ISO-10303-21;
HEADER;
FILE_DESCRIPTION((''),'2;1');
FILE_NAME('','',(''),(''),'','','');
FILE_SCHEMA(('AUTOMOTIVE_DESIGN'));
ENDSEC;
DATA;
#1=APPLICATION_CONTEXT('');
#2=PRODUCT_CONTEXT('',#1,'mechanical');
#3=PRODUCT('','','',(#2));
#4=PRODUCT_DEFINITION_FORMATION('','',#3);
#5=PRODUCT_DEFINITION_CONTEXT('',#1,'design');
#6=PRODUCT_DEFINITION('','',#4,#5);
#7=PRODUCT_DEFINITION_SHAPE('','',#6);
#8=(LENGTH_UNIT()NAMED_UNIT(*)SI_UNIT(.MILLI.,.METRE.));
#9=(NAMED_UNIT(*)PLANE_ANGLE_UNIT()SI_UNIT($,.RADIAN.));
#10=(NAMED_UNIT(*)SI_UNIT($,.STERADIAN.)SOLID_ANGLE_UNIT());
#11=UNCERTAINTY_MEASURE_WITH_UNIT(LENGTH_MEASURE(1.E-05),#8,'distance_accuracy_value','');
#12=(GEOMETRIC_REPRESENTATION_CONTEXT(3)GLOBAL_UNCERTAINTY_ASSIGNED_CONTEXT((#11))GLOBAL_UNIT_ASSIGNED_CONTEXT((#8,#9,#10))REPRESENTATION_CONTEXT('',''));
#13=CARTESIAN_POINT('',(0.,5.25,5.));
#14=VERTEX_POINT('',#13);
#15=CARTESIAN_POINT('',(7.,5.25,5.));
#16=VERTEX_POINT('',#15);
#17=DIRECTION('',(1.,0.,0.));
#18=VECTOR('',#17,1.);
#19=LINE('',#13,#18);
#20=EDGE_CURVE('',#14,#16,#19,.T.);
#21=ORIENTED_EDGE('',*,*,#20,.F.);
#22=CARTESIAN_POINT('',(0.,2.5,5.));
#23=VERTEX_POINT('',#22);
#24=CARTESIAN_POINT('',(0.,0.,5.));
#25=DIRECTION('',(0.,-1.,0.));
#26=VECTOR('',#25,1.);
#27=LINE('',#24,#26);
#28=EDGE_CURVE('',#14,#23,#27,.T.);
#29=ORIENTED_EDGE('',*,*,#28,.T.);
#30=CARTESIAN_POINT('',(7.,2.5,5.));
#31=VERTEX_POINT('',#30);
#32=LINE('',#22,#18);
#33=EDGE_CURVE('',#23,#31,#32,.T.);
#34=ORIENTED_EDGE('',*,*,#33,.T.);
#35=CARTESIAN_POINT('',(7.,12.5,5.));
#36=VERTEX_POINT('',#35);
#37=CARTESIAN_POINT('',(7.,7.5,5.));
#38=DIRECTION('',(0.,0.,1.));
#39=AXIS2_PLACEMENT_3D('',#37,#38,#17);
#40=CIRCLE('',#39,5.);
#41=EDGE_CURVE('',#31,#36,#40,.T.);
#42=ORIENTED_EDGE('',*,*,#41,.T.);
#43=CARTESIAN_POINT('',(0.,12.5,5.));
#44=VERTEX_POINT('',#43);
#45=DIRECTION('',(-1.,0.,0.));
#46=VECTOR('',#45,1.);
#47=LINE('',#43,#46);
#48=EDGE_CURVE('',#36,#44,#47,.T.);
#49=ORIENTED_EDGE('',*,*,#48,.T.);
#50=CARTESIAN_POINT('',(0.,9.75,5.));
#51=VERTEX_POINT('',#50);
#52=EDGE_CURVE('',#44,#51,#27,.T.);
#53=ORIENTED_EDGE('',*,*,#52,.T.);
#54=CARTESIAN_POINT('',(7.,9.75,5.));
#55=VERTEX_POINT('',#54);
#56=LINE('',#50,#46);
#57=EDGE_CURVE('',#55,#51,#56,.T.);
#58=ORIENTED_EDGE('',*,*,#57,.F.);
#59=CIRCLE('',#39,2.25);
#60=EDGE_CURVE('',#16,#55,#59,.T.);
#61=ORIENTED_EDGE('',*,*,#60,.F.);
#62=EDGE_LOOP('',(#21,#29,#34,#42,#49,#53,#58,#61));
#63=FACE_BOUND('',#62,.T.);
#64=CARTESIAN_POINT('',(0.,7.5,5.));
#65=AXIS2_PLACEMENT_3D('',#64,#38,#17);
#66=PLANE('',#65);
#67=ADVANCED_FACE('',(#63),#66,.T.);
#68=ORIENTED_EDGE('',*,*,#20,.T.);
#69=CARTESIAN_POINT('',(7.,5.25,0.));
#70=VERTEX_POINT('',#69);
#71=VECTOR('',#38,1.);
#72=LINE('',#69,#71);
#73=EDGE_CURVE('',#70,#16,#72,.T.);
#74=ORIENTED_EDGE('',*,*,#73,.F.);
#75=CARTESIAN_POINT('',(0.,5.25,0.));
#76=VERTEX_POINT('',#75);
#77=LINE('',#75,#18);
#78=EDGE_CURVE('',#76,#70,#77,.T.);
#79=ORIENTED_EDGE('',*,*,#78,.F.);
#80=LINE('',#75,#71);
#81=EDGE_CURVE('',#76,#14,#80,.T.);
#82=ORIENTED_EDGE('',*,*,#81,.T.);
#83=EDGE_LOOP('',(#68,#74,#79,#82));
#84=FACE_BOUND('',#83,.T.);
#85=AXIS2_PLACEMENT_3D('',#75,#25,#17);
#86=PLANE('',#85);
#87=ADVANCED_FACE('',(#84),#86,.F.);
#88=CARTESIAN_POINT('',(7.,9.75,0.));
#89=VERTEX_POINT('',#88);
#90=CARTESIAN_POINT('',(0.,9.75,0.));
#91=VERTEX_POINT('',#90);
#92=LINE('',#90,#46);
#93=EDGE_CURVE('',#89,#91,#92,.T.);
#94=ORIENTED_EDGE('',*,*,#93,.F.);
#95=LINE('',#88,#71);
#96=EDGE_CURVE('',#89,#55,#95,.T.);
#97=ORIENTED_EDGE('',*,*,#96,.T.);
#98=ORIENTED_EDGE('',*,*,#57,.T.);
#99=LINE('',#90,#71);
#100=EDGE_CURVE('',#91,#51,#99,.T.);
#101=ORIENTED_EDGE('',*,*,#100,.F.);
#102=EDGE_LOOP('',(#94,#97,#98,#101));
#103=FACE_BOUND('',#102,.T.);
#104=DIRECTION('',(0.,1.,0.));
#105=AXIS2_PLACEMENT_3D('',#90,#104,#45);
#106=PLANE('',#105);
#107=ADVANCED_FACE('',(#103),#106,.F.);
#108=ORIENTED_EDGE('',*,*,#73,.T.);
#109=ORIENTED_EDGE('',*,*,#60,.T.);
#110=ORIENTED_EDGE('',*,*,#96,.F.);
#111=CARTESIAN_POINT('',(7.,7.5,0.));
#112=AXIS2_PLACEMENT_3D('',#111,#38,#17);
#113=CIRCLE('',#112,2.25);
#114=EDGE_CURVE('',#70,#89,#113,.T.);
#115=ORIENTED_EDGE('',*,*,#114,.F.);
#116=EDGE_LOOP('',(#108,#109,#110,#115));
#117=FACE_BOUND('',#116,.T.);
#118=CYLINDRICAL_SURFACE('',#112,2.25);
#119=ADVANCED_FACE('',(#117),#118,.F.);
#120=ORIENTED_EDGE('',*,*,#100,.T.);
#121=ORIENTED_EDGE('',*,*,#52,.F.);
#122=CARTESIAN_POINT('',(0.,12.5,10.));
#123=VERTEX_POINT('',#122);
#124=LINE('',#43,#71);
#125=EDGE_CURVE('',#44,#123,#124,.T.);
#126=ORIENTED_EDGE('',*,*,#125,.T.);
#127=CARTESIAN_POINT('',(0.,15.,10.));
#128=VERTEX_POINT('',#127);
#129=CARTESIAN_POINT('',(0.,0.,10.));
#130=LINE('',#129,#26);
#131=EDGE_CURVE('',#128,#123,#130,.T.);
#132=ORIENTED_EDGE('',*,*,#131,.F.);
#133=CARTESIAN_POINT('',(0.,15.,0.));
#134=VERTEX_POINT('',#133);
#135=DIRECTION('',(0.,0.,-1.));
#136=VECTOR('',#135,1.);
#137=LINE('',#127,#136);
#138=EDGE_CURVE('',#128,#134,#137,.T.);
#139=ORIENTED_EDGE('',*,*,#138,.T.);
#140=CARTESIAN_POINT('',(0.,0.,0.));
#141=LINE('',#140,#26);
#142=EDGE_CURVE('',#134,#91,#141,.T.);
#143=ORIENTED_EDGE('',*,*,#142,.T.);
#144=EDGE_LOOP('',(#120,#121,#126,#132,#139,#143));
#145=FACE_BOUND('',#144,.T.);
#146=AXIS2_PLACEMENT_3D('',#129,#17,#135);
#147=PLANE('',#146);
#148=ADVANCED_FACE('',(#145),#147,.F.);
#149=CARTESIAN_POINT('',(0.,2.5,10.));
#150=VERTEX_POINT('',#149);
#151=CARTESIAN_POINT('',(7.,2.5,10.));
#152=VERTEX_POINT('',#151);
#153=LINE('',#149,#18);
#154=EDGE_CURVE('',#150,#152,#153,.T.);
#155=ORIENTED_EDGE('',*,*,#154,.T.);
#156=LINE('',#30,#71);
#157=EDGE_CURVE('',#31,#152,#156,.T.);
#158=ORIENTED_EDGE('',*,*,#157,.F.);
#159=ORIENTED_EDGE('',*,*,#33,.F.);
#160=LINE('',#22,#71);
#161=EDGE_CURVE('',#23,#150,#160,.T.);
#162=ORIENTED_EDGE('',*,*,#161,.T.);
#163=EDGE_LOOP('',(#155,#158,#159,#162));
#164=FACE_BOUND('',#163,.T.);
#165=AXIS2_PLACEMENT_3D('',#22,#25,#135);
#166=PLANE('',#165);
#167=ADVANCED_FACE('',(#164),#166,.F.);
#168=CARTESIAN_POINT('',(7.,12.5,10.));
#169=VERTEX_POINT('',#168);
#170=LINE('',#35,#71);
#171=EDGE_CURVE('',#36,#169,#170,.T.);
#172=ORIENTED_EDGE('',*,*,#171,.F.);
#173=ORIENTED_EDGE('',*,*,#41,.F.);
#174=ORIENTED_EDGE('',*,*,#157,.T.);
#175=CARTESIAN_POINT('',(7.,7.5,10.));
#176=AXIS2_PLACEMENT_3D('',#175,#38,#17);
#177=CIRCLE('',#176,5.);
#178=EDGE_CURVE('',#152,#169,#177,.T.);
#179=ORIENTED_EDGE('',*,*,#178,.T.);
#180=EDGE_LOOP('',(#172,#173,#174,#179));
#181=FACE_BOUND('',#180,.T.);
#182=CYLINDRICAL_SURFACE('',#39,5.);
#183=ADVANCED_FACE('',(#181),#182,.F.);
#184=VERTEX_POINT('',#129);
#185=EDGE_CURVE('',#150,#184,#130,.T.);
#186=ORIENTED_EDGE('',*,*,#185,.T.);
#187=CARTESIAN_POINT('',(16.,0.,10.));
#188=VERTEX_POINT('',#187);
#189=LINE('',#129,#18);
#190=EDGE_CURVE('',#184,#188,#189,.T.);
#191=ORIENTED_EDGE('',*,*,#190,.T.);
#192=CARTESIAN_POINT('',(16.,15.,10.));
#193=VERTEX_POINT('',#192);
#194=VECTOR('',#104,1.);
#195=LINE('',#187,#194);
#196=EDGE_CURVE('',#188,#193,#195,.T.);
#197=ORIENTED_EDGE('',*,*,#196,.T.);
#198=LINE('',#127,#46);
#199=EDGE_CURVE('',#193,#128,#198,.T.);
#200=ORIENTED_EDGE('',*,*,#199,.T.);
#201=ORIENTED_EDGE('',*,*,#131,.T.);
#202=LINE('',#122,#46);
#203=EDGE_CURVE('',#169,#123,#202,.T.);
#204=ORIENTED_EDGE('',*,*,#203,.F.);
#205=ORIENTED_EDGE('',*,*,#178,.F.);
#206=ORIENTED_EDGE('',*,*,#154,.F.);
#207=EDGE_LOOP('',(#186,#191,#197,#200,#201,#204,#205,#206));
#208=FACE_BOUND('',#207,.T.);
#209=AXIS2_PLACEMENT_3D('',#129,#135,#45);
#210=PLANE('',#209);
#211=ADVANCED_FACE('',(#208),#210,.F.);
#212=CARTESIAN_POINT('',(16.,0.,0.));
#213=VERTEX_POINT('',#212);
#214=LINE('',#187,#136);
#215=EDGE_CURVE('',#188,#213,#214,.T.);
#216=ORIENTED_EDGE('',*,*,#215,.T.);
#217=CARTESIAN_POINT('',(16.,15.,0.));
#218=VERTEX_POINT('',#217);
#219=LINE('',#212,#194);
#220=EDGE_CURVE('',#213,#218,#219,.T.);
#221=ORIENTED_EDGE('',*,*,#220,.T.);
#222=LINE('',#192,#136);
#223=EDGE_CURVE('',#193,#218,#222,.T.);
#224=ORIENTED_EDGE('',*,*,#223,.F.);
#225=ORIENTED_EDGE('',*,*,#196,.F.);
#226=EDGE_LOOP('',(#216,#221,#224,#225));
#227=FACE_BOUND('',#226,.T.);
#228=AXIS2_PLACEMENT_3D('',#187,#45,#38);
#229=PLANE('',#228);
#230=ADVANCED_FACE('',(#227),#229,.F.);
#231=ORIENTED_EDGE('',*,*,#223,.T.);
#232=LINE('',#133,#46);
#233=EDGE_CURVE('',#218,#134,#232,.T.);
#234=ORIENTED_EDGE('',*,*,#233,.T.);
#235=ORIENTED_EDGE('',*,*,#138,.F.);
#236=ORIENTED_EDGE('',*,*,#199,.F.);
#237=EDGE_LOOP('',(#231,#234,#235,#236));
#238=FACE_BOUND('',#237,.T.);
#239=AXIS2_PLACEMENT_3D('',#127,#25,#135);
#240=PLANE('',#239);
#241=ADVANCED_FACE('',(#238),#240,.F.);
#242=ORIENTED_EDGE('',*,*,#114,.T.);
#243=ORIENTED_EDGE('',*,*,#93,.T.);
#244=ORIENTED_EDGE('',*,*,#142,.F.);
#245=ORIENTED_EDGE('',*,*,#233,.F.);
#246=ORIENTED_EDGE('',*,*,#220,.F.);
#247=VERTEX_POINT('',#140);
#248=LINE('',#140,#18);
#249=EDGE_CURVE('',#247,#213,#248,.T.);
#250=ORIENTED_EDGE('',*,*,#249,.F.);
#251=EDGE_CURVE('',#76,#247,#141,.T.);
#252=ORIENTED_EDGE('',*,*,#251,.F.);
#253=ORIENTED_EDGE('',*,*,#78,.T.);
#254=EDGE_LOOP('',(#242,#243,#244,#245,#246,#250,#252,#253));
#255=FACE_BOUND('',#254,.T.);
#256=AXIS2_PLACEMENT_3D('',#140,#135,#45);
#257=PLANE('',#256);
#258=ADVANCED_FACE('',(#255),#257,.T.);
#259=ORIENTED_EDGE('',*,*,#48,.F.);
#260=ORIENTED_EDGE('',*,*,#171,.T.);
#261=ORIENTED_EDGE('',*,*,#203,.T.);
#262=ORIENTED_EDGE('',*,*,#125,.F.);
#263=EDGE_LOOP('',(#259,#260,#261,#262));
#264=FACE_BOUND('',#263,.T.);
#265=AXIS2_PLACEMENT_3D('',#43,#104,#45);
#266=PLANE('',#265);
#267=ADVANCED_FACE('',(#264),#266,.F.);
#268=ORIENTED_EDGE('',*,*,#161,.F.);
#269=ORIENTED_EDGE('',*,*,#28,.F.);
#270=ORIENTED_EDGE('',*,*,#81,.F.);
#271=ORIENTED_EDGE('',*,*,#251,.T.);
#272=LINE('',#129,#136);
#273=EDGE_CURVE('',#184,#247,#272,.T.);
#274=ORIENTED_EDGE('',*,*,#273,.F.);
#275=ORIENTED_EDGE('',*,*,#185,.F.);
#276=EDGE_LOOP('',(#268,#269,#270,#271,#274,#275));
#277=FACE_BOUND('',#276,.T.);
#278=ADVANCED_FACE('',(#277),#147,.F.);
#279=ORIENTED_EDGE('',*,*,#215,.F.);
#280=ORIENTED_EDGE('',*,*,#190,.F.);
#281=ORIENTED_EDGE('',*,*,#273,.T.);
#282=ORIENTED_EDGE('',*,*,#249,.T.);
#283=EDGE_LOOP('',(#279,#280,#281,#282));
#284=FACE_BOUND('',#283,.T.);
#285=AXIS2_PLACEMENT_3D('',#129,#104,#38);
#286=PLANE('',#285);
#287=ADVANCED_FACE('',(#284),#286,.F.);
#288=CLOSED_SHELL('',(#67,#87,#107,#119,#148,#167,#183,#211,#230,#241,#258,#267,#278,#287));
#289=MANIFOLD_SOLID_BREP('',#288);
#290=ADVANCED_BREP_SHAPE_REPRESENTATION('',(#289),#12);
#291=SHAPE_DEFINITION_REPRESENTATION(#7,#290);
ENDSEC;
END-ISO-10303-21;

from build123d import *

# Parameters (mm, degrees)
SKIZZE1_W                       = 16
SKIZZE1_H                       = 15
AUFSATZ_LINEAR_AUSTRAGEN1_DEPTH = 10
SCHNITT_LINEAR_AUSTRAGEN1_DEPTH = 5
SCHNITT_LINEAR_AUSTRAGEN2_DEPTH = 6


with BuildPart() as part:
    # Skizze1 → Aufsatz-Linear austragen1 (new body)
    with BuildSketch(Plane.XY):
        with Locations((8, 7.5)):
            Rectangle(SKIZZE1_W, SKIZZE1_H)
    extrude(amount=AUFSATZ_LINEAR_AUSTRAGEN1_DEPTH)

    # Skizze2 → Schnitt-Linear austragen1 (cut)
    with BuildSketch(Plane.XY.offset(10)):
        with BuildLine():
            Line((0, 12.5), (7, 12.5))
            ThreePointArc((7, 12.5), (12, 7.5), (7, 2.5))
            Line((7, 2.5), (0, 2.5))
            ThreePointArc((0, 2.5), (-5, 7.5), (0, 12.5))
        make_face()
    extrude(amount=-SCHNITT_LINEAR_AUSTRAGEN1_DEPTH, mode=Mode.SUBTRACT)

    # Skizze3 → Schnitt-Linear austragen2 (cut, through all)
    with BuildSketch(Plane.XY.offset(5)):
        with BuildLine():
            Line((0, 9.75), (7, 9.75))
            ThreePointArc((7, 9.75), (9.25, 7.5), (7, 5.25))
            Line((7, 5.25), (0, 5.25))
            ThreePointArc((0, 5.25), (-2.25, 7.5), (0, 9.75))
        make_face()
    extrude(amount=-SCHNITT_LINEAR_AUSTRAGEN2_DEPTH, mode=Mode.SUBTRACT)


solid = part.part
